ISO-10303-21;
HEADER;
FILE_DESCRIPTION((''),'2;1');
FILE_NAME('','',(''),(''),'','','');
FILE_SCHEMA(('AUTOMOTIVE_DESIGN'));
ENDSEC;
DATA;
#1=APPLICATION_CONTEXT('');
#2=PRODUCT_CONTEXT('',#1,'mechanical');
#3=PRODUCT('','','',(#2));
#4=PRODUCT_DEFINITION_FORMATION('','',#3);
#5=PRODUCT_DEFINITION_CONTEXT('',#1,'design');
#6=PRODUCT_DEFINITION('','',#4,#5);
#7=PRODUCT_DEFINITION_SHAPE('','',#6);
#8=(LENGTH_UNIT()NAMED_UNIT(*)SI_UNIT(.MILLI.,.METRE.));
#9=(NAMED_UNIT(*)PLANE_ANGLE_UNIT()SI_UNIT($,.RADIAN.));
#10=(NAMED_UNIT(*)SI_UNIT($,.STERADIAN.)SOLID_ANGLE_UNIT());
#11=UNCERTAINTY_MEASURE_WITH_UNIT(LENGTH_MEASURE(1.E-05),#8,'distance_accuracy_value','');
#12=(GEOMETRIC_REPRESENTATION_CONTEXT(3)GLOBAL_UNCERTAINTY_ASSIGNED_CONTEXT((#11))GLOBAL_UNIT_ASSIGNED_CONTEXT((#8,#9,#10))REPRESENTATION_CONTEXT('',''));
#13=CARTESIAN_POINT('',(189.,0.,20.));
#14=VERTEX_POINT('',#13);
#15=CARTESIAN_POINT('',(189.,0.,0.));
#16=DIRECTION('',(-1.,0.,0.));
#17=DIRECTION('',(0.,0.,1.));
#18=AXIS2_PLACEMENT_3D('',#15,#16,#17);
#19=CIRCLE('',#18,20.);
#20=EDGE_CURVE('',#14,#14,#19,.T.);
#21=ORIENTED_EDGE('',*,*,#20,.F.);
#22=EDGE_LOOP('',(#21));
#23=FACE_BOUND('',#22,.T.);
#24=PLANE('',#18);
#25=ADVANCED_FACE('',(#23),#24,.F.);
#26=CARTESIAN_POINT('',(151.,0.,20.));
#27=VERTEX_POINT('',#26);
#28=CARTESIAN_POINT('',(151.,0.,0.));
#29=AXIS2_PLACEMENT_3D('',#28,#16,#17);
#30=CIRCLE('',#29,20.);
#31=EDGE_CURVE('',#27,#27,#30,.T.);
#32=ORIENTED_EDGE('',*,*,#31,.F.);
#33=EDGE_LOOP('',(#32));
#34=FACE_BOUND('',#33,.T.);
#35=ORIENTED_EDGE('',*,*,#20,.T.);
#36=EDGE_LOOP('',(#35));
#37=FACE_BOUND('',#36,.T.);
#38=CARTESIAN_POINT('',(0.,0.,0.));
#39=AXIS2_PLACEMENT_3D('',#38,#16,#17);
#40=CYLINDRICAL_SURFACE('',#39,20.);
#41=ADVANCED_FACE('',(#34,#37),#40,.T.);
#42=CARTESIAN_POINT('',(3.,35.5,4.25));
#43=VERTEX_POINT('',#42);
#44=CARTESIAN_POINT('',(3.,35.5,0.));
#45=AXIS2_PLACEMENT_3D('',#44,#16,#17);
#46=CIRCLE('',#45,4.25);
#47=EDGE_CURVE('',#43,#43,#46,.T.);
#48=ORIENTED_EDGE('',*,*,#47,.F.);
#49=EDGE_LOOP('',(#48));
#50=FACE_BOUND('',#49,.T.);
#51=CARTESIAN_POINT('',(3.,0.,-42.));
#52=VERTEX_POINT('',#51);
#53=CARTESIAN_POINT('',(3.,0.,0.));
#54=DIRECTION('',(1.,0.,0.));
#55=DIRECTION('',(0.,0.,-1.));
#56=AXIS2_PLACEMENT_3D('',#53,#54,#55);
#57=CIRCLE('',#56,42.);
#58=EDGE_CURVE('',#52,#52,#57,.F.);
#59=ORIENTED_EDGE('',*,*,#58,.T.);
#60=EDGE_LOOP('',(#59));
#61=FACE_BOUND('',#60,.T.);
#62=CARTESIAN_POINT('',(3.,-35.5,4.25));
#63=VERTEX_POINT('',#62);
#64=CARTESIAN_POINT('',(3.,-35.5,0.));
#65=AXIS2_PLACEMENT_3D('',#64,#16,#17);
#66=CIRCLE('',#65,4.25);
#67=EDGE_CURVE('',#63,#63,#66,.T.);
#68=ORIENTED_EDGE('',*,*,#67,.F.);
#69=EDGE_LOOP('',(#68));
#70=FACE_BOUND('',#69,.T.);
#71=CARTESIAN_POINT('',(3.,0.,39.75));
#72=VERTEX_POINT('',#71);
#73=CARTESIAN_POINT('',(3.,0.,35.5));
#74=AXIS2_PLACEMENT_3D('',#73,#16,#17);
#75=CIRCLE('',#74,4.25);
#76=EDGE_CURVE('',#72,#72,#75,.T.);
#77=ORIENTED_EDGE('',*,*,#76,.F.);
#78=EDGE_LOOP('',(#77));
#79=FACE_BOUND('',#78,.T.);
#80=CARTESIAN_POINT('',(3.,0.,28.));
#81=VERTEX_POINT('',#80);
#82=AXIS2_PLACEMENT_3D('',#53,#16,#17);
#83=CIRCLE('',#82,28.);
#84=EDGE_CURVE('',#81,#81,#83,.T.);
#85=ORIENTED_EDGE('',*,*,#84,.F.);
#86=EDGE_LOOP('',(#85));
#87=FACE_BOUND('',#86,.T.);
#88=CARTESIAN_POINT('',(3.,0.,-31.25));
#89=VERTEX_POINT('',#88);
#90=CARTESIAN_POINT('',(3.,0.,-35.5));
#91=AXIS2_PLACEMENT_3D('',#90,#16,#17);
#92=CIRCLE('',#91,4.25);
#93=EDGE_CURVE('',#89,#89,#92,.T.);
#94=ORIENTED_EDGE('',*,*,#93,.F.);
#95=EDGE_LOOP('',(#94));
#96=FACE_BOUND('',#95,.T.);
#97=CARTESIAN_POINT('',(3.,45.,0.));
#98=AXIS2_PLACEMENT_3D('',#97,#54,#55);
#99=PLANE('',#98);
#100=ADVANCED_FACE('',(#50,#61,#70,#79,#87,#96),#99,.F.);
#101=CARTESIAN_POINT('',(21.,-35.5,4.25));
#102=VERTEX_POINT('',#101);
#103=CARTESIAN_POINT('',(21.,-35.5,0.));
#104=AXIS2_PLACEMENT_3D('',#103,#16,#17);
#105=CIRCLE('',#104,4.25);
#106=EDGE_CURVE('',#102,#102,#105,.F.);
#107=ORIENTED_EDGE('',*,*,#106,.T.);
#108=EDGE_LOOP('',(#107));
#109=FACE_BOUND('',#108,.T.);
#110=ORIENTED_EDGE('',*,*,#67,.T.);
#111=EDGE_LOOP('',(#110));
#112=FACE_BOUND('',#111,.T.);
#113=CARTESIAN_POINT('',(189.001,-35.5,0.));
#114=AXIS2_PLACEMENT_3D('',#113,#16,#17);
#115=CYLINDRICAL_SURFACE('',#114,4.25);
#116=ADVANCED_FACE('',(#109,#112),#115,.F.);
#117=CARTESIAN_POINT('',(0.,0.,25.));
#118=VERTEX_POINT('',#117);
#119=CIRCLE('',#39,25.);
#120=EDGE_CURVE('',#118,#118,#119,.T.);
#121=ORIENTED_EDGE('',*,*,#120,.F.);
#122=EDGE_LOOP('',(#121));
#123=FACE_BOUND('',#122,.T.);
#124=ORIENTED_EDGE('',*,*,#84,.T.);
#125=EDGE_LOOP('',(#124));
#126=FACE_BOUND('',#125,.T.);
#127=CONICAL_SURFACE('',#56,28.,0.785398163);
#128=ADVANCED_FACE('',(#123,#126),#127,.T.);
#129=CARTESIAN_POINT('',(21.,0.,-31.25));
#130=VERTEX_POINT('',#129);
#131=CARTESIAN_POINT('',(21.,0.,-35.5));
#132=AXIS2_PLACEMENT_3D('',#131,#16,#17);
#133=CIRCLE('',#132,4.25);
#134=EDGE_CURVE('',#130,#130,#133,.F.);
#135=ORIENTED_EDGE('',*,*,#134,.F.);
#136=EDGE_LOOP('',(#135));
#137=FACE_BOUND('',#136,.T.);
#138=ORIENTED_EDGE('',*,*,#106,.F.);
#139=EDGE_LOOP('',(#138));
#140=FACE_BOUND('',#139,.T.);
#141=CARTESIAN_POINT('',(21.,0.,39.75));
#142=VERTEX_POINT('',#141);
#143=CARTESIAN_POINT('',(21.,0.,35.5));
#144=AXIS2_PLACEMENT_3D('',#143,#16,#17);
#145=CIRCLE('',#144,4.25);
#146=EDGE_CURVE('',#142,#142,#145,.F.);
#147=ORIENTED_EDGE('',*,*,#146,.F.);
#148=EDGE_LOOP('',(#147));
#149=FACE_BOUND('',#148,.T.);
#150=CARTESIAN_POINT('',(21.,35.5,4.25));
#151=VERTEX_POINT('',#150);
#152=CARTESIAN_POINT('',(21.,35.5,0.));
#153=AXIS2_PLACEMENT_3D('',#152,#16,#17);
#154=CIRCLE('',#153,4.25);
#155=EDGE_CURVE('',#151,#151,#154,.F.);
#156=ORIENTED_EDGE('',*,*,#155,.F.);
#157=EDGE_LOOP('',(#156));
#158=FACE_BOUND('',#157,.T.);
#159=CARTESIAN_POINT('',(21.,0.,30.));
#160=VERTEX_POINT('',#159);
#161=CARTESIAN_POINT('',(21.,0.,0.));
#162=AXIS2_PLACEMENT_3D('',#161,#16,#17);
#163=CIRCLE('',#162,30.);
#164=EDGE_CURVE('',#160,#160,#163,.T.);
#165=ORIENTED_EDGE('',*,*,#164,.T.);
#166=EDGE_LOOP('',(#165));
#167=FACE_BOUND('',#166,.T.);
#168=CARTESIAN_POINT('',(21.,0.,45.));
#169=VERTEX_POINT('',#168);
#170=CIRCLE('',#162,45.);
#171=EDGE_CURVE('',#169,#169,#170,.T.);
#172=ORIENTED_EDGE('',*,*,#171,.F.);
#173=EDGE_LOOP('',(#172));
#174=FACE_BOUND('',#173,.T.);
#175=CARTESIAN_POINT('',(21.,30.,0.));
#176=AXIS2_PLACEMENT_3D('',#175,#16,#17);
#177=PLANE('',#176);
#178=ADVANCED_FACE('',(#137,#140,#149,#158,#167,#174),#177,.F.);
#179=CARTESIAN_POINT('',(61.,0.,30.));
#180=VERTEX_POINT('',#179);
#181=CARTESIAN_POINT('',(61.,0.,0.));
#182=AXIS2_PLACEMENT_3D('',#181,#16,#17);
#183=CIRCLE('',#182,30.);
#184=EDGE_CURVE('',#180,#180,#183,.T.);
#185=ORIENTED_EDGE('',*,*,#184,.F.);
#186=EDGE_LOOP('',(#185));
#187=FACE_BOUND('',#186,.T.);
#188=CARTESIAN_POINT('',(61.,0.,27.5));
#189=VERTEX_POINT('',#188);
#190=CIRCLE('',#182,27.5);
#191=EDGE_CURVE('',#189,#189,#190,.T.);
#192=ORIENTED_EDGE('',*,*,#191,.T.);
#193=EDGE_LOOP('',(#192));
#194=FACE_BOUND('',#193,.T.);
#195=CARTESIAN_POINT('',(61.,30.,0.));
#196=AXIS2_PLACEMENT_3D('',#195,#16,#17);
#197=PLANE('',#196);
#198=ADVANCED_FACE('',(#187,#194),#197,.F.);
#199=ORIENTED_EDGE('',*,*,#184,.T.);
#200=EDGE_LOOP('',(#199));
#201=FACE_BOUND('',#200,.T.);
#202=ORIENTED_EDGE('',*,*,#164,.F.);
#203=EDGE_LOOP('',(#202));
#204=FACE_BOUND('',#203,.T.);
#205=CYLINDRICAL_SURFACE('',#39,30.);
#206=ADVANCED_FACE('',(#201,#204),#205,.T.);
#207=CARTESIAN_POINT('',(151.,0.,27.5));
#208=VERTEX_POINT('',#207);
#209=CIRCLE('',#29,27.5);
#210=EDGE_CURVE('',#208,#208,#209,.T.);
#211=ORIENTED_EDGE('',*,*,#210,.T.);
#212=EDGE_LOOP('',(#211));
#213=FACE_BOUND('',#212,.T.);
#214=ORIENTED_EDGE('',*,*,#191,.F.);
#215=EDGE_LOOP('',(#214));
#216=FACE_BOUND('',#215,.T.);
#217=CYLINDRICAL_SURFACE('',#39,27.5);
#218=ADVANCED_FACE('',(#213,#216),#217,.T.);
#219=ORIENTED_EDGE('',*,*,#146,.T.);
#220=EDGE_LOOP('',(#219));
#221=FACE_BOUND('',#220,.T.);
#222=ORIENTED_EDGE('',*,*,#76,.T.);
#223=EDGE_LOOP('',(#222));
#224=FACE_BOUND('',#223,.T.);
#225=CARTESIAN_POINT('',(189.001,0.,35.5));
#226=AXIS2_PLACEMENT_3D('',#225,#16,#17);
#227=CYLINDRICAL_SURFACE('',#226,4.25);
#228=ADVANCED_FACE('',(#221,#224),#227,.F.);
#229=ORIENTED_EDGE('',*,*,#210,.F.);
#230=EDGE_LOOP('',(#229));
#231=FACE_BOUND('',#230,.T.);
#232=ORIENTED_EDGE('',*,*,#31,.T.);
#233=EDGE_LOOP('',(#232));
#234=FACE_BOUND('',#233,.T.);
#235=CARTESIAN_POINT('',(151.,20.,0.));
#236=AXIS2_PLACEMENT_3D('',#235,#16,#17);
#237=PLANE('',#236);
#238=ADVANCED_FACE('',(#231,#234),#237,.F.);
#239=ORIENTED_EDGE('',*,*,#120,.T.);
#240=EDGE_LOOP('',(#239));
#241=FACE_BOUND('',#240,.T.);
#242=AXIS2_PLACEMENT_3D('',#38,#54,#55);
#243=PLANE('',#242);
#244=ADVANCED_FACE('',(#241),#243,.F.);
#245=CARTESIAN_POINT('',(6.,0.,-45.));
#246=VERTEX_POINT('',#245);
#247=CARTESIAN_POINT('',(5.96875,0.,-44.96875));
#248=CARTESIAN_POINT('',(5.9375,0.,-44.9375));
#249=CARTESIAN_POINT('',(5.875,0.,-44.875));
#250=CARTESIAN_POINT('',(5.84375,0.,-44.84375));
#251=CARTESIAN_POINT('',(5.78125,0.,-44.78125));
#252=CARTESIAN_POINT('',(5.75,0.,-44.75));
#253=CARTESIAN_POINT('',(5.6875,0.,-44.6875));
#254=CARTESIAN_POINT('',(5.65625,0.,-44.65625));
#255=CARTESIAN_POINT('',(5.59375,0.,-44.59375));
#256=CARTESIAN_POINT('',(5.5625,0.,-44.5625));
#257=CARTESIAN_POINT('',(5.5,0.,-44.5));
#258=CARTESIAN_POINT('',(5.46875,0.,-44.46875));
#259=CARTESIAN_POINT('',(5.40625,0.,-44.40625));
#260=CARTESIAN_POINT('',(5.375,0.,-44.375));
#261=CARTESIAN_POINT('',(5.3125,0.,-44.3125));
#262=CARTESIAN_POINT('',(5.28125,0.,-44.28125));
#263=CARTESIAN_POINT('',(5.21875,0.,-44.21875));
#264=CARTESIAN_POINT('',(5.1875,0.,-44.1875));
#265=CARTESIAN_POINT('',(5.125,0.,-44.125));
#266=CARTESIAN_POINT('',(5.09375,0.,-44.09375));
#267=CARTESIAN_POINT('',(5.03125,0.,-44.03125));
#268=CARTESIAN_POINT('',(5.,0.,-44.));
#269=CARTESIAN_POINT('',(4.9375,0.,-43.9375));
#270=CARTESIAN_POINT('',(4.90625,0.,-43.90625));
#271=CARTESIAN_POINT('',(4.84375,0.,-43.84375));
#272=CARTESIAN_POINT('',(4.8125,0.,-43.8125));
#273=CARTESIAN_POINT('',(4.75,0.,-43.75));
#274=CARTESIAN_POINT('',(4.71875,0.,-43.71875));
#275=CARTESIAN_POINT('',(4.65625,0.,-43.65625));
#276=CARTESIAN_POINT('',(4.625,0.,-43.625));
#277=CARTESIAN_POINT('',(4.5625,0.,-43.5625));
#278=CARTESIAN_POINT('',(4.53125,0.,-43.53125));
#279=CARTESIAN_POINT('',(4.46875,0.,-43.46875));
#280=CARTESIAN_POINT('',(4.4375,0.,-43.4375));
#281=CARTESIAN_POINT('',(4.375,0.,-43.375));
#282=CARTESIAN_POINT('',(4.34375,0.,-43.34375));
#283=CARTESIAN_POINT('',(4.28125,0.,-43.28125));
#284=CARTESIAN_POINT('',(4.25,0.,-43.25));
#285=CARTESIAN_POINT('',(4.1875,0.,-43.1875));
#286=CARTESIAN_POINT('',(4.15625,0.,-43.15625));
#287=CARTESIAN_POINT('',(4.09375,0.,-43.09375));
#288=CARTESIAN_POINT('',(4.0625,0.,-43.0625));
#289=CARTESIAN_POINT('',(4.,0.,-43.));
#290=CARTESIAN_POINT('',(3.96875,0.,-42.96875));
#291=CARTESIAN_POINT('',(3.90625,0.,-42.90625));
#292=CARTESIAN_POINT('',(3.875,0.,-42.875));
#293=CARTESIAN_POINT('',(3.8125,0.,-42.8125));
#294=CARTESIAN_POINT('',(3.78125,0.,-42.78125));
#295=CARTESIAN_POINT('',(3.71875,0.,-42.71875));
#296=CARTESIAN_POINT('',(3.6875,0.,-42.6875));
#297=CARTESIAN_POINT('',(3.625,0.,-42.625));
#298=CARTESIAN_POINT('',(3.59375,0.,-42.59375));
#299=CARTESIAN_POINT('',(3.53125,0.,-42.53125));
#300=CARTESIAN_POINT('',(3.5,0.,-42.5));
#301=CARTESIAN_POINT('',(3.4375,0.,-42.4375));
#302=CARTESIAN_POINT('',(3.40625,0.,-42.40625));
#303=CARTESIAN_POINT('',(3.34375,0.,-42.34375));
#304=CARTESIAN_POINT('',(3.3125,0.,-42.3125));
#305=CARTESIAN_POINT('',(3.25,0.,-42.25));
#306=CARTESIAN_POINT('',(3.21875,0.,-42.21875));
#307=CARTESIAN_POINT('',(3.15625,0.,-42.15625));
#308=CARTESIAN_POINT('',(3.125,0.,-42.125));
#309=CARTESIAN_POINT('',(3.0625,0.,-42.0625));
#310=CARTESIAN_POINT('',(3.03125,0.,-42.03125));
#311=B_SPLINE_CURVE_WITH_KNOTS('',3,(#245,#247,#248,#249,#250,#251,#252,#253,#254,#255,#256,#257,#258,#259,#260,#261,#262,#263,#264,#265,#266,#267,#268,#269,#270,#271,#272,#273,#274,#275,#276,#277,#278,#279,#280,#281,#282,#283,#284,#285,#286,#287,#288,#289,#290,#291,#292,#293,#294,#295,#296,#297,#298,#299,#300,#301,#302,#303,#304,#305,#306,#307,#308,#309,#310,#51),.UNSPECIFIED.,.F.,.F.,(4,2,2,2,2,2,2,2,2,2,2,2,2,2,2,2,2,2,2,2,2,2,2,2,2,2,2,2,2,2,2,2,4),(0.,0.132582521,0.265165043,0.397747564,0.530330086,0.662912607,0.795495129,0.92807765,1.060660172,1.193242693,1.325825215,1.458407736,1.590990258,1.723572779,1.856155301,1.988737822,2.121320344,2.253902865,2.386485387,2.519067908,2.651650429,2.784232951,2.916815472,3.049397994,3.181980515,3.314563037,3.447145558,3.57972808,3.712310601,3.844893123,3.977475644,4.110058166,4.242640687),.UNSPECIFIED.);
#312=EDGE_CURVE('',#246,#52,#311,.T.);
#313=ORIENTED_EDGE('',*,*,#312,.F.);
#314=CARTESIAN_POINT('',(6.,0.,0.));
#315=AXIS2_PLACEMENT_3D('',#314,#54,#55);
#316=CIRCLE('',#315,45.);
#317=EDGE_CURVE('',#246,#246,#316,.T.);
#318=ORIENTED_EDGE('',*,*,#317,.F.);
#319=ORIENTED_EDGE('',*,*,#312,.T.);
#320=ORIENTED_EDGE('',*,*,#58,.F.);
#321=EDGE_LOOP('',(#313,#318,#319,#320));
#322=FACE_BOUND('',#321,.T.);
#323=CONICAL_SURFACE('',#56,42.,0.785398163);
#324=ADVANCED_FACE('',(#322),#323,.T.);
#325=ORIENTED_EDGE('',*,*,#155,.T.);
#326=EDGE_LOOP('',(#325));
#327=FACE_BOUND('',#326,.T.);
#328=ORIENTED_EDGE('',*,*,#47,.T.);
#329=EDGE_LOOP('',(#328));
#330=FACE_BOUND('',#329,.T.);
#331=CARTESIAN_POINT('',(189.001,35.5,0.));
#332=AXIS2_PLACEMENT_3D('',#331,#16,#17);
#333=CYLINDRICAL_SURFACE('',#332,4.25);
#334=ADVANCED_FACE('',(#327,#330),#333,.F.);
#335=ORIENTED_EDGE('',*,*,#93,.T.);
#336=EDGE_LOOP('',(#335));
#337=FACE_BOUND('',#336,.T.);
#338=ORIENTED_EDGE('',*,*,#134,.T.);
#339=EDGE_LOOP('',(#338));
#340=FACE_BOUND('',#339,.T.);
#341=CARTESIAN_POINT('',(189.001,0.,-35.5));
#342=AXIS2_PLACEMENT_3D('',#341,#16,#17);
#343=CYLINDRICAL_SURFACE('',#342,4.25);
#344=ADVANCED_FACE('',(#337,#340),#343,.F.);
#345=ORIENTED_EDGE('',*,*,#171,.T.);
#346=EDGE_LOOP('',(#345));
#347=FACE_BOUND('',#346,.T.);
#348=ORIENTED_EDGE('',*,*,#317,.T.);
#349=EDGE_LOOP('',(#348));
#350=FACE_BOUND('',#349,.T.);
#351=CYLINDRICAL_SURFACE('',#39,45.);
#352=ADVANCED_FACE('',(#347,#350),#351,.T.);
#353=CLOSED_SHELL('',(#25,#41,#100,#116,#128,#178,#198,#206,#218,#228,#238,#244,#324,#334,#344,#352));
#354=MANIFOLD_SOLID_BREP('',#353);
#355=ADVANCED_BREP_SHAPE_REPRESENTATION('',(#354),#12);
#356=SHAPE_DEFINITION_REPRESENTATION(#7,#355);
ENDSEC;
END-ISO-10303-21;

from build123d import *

# Parameters (mm, degrees)
CHAMFER1_SIZE      = 3
CUT_EXTRUDE1_REACH = 198.586
SKETCH2_R          = 4.25


with BuildPart() as part:
    # Sketch1 → Revolve1 (revolve)
    with BuildSketch(Plane.XY, mode=Mode.PRIVATE) as revolve1_sk:
        Polygon((189, 0), (189, 20), (151, 20), (151, 27.5), (61, 27.5), (61, 30), (21, 30), (21, 45), (3, 45), (3, 28), (0, 25), (0, 0), align=None)
    revolve(revolve1_sk.sketch.rotate(Axis((0, 0, 0), (1, 0, 0)), 90), axis=Axis((0, 0, 0), (1, 0, 0)))

    # Chamfer1
    chamfer1_edges = [part.edges().sort_by_distance(p)[0] for p in [
        (3, 0, -45),
    ]]
    chamfer(chamfer1_edges, length=CHAMFER1_SIZE)

    # Sketch2 → Cut-Extrude1 (cut, up to next)
    with BuildSketch(Plane.ZY.offset(-3), mode=Mode.PRIVATE) as cut_extrude1_sk1:
        with Locations((35.5, 0)):
            Circle(SKETCH2_R)
    cut_extrude1_tool1 = extrude(cut_extrude1_sk1.sketch, amount=-CUT_EXTRUDE1_REACH, mode=Mode.PRIVATE) & part.part
    # Sketch2 → Cut-Extrude1 (cut, up to next)
    with BuildSketch(Plane.ZY.offset(-3), mode=Mode.PRIVATE) as cut_extrude1_sk2:
        with Locations((0, -35.5)):
            Circle(SKETCH2_R)
    cut_extrude1_tool2 = extrude(cut_extrude1_sk2.sketch, amount=-CUT_EXTRUDE1_REACH, mode=Mode.PRIVATE) & part.part
    # Sketch2 → Cut-Extrude1 (cut, up to next)
    with BuildSketch(Plane.ZY.offset(-3), mode=Mode.PRIVATE) as cut_extrude1_sk3:
        with Locations((-35.5, 0)):
            Circle(SKETCH2_R)
    cut_extrude1_tool3 = extrude(cut_extrude1_sk3.sketch, amount=-CUT_EXTRUDE1_REACH, mode=Mode.PRIVATE) & part.part
    # Sketch2 → Cut-Extrude1 (cut, up to next)
    with BuildSketch(Plane.ZY.offset(-3), mode=Mode.PRIVATE) as cut_extrude1_sk4:
        with Locations((0, 35.5)):
            Circle(SKETCH2_R)
    cut_extrude1_tool4 = extrude(cut_extrude1_sk4.sketch, amount=-CUT_EXTRUDE1_REACH, mode=Mode.PRIVATE) & part.part
    add(cut_extrude1_tool1.solids().sort_by_distance((3, 0, 35.5))[0], mode=Mode.SUBTRACT)
    add(cut_extrude1_tool2.solids().sort_by_distance((3, -35.5, 0))[0], mode=Mode.SUBTRACT)
    add(cut_extrude1_tool3.solids().sort_by_distance((3, 0, -35.5))[0], mode=Mode.SUBTRACT)
    add(cut_extrude1_tool4.solids().sort_by_distance((3, 35.5, 0))[0], mode=Mode.SUBTRACT)


solid = part.part
